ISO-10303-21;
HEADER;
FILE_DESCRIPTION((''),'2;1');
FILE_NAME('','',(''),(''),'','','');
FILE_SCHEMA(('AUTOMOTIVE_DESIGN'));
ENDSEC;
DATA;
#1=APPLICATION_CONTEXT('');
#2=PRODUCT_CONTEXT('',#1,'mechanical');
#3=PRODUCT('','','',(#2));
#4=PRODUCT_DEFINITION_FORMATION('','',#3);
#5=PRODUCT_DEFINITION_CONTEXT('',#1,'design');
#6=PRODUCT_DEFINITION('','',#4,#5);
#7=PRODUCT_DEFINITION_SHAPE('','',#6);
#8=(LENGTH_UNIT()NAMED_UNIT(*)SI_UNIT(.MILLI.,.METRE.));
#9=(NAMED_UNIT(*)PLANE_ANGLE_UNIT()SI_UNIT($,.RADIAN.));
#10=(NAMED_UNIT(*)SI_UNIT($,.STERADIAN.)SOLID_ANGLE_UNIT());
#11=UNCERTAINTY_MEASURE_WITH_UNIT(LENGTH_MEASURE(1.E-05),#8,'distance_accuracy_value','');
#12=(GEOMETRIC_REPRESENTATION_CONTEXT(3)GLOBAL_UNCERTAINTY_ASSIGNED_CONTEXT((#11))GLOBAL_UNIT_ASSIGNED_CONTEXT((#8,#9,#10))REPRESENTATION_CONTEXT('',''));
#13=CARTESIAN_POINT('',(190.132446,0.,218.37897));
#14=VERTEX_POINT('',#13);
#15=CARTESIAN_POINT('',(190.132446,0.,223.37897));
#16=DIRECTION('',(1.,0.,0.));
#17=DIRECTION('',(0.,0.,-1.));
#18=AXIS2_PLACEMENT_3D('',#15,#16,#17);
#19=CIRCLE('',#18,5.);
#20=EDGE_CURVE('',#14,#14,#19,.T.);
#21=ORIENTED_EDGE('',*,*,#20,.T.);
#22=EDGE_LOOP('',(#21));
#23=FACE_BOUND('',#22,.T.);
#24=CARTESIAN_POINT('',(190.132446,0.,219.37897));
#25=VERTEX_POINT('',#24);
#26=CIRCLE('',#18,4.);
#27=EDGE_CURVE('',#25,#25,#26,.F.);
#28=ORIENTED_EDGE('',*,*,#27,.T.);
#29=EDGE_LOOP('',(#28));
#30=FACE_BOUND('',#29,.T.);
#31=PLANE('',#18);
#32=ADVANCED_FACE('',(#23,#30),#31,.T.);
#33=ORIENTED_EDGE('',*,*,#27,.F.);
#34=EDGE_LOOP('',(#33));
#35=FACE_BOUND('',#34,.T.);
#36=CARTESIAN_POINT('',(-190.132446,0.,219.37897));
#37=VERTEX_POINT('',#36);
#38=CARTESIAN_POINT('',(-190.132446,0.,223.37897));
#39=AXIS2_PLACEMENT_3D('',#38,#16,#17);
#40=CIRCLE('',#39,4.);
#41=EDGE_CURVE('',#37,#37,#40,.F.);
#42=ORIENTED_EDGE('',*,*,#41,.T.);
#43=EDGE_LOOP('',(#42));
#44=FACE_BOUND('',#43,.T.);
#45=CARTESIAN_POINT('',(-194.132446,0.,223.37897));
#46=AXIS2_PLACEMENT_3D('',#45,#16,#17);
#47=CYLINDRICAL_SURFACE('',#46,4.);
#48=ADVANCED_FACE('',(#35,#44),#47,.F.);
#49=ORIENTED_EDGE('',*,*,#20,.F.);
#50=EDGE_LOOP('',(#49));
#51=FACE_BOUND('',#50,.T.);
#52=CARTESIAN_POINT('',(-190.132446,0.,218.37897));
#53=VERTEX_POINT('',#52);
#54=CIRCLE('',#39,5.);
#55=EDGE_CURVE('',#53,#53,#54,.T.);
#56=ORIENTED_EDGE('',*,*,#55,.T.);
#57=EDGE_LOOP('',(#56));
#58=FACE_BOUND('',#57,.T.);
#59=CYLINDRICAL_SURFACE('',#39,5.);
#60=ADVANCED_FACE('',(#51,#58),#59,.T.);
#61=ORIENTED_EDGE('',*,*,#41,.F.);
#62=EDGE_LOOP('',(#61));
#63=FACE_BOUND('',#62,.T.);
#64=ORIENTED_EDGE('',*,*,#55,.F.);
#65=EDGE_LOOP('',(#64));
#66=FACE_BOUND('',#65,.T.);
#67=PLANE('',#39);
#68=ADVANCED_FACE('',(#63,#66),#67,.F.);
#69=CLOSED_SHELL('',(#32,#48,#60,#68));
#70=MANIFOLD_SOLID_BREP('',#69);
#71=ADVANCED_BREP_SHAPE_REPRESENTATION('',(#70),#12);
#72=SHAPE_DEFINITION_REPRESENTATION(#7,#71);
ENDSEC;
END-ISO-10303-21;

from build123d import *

# Parameters (mm, degrees)
SWEEP1_PROFILE_R     = 5
CUT_SWEEP1_PROFILE_R = 4


with BuildPart() as part:
    # Sweep1: sweep along a path in Sketch32
    with BuildLine(Plane(origin=(0, 0, 0), x_dir=(1, 0, 0), z_dir=(0, 1, 0))) as sweep1_path:
        Line((-190.132445986, -223.37896957), (190.132445986, -223.37896957))
    # Sweep1 profile (on start of the path) → Sweep1 (sweep)
    with BuildSketch(Plane(origin=(-190.132445986, 0, 223.37896957), x_dir=(0, 0, 1), z_dir=(1, 0, 0))):
        Circle(SWEEP1_PROFILE_R)
    sweep(path=sweep1_path.line)

    # Cut-Sweep1: sweep along a path in Sketch32<3>
    with BuildLine(Plane(origin=(0, 0, 0), x_dir=(1, 0, 0), z_dir=(0, 1, 0))) as cut_sweep1_path:
        Line((-190.132445986, -223.37896957), (190.132445986, -223.37896957))
    # Cut-Sweep1 profile (on start of the path) → Cut-Sweep1 (sweep, cut)
    with BuildSketch(Plane(origin=(-190.132445986, 0, 223.37896957), x_dir=(0, 0, 1), z_dir=(1, 0, 0))):
        Circle(CUT_SWEEP1_PROFILE_R)
    sweep(path=cut_sweep1_path.line, mode=Mode.SUBTRACT)


solid = part.part
